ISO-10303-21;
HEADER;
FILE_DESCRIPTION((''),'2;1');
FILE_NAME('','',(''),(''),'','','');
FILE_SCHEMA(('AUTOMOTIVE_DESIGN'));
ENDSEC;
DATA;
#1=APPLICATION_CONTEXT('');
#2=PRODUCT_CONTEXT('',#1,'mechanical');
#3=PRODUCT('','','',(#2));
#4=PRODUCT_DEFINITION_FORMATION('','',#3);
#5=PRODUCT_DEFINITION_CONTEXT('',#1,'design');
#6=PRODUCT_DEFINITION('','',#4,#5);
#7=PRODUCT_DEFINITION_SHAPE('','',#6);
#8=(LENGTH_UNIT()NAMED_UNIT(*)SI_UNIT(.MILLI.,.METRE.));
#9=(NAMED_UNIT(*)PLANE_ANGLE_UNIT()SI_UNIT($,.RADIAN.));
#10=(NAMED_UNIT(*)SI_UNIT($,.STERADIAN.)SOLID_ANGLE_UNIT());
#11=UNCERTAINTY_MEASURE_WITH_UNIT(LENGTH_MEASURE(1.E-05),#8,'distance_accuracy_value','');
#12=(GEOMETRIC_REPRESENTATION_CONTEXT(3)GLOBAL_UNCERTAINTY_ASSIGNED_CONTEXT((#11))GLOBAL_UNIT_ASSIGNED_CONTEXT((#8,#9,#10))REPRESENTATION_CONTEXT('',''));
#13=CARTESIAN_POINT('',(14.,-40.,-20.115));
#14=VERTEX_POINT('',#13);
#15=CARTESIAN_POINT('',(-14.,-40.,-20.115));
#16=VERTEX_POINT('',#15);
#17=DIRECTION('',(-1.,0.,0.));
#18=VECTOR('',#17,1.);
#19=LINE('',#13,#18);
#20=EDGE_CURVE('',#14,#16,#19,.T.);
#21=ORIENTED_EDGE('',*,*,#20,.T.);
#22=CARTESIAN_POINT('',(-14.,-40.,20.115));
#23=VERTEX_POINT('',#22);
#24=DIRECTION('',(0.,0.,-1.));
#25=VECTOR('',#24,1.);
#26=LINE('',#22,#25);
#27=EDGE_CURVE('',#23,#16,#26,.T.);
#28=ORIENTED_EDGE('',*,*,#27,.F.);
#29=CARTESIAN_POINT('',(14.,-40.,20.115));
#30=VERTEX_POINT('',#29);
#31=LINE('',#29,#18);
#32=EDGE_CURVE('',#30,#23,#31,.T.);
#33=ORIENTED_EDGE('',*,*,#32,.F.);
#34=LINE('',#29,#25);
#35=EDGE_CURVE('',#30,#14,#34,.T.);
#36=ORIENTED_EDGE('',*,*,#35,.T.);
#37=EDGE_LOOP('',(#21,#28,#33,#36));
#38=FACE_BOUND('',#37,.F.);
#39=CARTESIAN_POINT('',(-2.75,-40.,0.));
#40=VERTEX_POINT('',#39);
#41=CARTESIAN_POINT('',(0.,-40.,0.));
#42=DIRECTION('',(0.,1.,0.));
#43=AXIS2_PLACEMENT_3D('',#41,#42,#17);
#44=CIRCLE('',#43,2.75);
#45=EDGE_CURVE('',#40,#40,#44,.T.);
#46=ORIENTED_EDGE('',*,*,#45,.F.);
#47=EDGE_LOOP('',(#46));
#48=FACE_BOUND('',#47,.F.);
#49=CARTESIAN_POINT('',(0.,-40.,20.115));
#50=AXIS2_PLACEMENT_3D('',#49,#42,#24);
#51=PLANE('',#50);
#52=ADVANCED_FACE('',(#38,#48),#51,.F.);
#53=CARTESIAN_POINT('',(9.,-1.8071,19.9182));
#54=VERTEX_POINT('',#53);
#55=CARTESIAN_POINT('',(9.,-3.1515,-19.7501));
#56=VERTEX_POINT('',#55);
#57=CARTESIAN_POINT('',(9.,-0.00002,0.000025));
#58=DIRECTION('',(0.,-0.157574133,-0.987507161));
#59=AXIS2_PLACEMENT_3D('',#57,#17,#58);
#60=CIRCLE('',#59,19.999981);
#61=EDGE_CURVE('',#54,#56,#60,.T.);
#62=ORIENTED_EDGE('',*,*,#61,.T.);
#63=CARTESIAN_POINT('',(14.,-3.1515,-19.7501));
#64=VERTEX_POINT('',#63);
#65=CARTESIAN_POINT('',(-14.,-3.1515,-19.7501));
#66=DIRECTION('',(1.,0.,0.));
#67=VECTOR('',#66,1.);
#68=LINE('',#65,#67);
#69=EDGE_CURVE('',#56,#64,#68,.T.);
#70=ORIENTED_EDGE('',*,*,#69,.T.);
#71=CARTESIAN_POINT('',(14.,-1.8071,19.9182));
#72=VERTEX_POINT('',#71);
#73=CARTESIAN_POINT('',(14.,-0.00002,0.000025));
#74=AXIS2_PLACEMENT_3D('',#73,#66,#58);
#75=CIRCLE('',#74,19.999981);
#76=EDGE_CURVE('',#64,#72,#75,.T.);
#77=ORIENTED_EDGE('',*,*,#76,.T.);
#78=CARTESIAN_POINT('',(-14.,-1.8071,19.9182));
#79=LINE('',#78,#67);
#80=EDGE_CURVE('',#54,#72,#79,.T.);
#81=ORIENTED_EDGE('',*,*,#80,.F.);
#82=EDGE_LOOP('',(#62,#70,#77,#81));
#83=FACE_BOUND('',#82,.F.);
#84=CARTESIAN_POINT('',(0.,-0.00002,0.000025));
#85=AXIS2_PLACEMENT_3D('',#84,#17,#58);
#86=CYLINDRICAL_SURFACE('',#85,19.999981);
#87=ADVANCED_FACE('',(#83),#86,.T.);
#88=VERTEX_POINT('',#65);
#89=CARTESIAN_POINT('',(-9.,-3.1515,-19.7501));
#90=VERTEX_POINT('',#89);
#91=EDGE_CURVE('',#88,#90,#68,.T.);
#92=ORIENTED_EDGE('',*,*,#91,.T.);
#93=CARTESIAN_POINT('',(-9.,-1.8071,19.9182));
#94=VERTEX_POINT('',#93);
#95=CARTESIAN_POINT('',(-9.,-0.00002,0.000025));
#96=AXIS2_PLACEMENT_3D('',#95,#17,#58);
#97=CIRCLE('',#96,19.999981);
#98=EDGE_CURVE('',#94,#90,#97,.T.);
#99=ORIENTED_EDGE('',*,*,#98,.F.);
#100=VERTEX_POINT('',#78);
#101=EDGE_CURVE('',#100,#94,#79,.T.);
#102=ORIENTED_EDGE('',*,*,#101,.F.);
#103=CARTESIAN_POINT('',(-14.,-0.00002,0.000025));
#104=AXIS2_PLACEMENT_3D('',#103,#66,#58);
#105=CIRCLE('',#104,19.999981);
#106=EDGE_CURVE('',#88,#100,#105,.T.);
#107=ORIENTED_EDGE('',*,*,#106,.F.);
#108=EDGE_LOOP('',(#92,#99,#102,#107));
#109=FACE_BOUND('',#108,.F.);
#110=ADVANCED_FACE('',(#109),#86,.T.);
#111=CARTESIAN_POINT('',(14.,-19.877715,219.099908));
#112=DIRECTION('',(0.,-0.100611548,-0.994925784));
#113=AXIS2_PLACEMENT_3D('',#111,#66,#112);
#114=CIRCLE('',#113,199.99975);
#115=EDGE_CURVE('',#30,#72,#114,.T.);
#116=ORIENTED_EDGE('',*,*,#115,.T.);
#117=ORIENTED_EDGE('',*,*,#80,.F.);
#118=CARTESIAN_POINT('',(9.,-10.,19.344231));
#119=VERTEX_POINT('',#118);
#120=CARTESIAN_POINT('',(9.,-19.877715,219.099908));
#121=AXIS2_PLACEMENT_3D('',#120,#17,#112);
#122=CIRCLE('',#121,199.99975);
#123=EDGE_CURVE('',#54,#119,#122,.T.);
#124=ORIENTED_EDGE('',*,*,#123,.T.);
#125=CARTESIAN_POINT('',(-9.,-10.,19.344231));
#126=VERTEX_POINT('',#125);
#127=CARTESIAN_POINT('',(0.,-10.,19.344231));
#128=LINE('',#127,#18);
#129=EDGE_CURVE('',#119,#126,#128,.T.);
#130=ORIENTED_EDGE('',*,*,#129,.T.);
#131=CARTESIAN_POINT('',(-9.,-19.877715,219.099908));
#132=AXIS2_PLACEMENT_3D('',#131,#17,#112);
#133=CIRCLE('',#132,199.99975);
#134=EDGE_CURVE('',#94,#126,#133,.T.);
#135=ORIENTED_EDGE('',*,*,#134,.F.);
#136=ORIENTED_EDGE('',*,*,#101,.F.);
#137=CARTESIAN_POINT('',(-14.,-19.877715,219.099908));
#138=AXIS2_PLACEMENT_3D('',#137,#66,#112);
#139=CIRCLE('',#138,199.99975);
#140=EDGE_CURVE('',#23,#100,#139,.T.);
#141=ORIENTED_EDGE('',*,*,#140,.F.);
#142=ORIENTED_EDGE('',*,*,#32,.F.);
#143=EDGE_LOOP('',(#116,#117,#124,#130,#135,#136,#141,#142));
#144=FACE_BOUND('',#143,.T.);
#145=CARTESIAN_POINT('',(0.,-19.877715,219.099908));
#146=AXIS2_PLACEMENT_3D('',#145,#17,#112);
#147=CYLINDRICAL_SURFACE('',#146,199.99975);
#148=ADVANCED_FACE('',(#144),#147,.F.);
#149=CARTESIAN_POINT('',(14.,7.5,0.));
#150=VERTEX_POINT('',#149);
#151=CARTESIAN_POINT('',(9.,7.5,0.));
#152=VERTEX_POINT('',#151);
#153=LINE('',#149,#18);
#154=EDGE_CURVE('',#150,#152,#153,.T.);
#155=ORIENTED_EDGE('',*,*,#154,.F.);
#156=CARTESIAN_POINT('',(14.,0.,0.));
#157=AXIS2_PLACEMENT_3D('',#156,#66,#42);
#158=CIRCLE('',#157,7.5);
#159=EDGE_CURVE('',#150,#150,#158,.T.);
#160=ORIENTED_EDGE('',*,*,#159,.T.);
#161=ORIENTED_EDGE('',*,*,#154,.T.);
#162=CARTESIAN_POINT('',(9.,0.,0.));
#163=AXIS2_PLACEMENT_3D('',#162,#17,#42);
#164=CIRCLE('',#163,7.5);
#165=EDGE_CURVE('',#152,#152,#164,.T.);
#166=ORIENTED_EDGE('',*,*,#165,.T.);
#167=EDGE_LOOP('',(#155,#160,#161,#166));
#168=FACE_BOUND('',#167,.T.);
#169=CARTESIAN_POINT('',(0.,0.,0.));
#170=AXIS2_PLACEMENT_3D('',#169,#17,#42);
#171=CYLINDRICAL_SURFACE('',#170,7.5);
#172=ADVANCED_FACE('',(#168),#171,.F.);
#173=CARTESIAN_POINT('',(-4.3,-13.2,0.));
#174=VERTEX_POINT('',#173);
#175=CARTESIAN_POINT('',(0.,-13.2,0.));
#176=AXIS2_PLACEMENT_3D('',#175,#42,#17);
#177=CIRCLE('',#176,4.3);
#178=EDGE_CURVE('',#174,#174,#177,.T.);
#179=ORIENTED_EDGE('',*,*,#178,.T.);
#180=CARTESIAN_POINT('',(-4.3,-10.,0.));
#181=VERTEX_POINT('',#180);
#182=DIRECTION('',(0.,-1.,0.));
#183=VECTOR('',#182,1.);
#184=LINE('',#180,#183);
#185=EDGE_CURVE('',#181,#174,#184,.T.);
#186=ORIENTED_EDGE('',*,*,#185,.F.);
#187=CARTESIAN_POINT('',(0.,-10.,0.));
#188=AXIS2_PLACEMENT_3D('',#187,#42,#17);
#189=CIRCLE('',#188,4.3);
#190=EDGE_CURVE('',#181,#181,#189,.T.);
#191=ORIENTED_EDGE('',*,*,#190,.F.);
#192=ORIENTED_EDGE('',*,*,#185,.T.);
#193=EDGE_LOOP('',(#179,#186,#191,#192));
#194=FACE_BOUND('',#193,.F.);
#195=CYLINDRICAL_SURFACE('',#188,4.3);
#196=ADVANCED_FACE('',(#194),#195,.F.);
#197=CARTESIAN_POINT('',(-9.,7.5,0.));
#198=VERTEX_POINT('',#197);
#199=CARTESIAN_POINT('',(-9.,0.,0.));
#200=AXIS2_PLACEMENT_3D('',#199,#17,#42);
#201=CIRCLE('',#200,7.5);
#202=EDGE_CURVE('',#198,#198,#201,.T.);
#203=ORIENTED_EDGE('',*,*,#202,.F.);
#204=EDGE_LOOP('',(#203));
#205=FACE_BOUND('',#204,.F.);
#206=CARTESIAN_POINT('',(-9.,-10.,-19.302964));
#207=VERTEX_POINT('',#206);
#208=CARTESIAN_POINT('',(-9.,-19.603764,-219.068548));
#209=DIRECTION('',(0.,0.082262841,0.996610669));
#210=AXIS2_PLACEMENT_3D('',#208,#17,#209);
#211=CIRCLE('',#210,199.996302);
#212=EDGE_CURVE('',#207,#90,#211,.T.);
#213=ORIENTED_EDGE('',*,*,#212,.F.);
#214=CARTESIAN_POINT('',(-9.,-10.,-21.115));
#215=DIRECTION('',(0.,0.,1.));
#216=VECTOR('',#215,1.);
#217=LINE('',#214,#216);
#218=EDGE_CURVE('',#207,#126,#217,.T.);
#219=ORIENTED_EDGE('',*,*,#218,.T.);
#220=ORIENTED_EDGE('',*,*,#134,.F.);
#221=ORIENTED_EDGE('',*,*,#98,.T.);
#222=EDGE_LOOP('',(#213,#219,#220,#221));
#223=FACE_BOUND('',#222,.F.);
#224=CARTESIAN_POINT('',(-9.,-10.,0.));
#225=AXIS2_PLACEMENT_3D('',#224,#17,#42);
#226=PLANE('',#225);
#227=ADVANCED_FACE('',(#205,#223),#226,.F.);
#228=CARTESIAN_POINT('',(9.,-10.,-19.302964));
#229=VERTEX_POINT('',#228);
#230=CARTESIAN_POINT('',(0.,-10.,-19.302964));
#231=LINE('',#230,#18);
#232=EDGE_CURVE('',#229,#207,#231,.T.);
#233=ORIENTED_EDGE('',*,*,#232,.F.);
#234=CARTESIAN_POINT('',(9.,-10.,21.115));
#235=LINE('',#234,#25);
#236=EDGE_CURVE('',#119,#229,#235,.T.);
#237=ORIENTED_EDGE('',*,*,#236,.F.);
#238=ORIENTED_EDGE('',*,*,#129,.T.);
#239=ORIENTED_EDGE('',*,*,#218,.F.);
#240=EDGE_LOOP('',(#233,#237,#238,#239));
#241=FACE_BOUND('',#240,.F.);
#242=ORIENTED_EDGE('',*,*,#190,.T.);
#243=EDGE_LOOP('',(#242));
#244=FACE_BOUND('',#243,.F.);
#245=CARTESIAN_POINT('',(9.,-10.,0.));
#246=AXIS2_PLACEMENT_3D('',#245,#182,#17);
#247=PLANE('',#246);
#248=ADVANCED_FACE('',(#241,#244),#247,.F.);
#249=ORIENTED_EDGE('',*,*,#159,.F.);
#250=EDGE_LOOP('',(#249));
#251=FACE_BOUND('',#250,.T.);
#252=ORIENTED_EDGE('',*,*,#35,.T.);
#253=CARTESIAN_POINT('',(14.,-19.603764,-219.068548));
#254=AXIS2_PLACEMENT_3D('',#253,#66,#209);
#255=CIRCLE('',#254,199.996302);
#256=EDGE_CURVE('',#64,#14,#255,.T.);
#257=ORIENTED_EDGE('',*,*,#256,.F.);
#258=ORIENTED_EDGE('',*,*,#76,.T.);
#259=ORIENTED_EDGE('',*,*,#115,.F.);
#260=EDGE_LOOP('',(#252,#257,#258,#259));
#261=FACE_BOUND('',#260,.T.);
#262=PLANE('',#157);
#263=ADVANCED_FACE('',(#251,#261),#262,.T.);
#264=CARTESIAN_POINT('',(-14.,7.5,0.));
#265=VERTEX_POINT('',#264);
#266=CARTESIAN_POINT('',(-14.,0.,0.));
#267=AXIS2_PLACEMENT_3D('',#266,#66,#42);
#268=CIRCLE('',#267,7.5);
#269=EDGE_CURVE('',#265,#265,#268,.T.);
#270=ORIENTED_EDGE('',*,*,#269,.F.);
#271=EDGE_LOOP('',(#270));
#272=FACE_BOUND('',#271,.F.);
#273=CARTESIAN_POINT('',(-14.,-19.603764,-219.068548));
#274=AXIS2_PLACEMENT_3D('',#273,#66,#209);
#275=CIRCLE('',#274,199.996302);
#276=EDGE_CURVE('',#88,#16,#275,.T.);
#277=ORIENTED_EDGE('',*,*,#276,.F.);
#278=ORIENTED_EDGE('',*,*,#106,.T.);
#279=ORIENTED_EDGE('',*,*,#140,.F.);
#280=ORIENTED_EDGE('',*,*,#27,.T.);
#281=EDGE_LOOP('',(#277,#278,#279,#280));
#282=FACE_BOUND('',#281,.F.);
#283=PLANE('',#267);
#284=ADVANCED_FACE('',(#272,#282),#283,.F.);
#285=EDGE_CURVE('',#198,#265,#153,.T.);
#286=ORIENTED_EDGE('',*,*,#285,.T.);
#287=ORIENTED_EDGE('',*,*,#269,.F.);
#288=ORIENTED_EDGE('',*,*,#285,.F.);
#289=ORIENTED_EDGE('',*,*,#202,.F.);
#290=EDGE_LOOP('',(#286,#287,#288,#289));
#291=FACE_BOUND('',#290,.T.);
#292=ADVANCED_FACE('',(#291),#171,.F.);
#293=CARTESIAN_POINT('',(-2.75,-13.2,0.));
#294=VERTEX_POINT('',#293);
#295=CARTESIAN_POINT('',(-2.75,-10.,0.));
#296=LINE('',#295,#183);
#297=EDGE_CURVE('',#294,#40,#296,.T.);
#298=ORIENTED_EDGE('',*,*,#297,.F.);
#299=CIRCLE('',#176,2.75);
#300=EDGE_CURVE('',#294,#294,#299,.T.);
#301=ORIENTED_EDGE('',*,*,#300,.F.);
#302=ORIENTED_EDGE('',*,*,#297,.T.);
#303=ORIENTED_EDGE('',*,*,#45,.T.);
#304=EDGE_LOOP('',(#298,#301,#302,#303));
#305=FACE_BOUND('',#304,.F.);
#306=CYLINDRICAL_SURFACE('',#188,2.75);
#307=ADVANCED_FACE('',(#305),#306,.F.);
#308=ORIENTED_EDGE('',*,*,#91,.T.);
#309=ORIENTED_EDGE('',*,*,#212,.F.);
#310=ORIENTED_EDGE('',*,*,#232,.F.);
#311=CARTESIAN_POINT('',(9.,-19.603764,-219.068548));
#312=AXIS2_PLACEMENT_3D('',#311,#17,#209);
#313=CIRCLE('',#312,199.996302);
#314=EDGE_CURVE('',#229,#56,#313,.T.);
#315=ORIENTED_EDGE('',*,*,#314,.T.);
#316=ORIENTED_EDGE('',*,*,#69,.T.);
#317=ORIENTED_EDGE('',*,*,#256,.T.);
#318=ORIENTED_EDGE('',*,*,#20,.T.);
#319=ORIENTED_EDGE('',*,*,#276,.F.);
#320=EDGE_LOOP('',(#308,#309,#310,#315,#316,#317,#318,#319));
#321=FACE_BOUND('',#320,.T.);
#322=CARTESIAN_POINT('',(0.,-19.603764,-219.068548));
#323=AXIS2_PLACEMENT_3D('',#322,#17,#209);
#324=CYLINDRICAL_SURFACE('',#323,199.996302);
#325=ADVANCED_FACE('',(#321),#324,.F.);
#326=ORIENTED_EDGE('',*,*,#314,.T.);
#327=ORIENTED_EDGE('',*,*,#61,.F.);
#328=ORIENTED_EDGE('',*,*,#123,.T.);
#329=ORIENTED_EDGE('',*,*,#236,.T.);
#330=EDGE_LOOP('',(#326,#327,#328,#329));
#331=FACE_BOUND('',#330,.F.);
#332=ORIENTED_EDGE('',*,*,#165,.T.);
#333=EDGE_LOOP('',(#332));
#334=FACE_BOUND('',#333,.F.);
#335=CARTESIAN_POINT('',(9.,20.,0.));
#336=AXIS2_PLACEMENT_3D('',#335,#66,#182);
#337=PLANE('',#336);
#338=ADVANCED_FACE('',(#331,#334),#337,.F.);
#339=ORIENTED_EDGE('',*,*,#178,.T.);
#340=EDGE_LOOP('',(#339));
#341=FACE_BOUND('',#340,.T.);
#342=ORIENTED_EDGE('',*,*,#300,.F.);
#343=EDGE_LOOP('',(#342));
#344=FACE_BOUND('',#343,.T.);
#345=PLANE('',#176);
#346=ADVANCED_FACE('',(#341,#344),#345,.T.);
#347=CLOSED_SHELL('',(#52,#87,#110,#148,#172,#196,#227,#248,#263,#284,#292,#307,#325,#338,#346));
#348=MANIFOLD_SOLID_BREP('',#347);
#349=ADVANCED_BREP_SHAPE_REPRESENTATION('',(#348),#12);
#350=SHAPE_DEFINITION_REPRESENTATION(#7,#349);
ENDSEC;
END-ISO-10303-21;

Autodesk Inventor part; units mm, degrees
ref_plane "YZ Plane" through (0, 0, 0) normal (1, 0, 0) x (0, 1, 0)
ref_plane "XY Plane" through (0, 0, 0) normal (0, 0, 1) x (1, 0, 0)
sketch "Sketch1" plane through (0, 0, 0) normal (1, 0, 0) x (0, 1, 0)
  circle A0 centre (0, 0) radius 7.5
  arc A1 (-3.1515, -19.7501) -> (-1.8071, 19.9182) centre (0, 0) ccw
  line L0 (-40, 20.115) -> (-40, -20.115)
  arc A2 (-40, 20.115) -> (-1.8071, 19.9182) centre (-19.8777, 219.1002) ccw
  arc A3 (-3.1515, -19.7501) -> (-40, -20.115) centre (-19.6039, -219.0723) ccw
  point P0 (-40, 0)
  dimension "d6" = 15
  dimension "d7" = 40
  dimension "d30" = 40.23
  dimension "d31" = 40
  dimension "d32" = 200
  dimension "d33" = 200
  dimension "d34" = 438.1724
  dimension "d35" = 219.0723
extrude "Extrusion1" add sketch "Sketch1" along normal mid plane 28
sketch "Sketch3" plane through (0, 0, 0) normal (0, 0, 1) x (1, 0, 0)
  line L0 (-14, 20) -> (14, 20) construction
  line L1 (-14, -3.1515) -> (14, -3.1515) construction
  line L2 (14, -40) -> (14, -3.1515) construction
  line L3 (14, -40) -> (-14, -40) construction
  line L4 (-14, -3.1515) -> (-14, -40) construction
  line L5 (-9, 20) -> (9, 20)
  line L6 (9, 20) -> (9, -10)
  line L7 (9, -10) -> (-9, -10)
  line L8 (-9, -10) -> (-9, 20)
  point P0 (0, 0)
  point P1 (0, 20)
  point P2 (0, 20)
  dimension "d19" = 18
  dimension "d21" = 10
extrude "Extrusion3" cut sketch "Sketch3" along normal through all both and the other way through all
ref_plane "Work Plane1" through (0, -10, 0) normal (0, 1, 0) x (-1, 0, 0)
sketch "Sketch5" plane through (0, -10, 0) normal (0, 1, 0) x (-1, 0, 0)
  circle A0 centre (0, 0) radius 2.75
  circle A1 centre (0, 0) radius 4.3
  dimension "d37" = 5.5
  dimension "d38" = 8.6
extrude "Extrusion6" cut sketch "Sketch5" against normal blind 3.2 contours A0 | A1
extrude "Extrusion7" cut sketch "Sketch5" against normal through all contours A0
properties part number "cabeza_obj1"
